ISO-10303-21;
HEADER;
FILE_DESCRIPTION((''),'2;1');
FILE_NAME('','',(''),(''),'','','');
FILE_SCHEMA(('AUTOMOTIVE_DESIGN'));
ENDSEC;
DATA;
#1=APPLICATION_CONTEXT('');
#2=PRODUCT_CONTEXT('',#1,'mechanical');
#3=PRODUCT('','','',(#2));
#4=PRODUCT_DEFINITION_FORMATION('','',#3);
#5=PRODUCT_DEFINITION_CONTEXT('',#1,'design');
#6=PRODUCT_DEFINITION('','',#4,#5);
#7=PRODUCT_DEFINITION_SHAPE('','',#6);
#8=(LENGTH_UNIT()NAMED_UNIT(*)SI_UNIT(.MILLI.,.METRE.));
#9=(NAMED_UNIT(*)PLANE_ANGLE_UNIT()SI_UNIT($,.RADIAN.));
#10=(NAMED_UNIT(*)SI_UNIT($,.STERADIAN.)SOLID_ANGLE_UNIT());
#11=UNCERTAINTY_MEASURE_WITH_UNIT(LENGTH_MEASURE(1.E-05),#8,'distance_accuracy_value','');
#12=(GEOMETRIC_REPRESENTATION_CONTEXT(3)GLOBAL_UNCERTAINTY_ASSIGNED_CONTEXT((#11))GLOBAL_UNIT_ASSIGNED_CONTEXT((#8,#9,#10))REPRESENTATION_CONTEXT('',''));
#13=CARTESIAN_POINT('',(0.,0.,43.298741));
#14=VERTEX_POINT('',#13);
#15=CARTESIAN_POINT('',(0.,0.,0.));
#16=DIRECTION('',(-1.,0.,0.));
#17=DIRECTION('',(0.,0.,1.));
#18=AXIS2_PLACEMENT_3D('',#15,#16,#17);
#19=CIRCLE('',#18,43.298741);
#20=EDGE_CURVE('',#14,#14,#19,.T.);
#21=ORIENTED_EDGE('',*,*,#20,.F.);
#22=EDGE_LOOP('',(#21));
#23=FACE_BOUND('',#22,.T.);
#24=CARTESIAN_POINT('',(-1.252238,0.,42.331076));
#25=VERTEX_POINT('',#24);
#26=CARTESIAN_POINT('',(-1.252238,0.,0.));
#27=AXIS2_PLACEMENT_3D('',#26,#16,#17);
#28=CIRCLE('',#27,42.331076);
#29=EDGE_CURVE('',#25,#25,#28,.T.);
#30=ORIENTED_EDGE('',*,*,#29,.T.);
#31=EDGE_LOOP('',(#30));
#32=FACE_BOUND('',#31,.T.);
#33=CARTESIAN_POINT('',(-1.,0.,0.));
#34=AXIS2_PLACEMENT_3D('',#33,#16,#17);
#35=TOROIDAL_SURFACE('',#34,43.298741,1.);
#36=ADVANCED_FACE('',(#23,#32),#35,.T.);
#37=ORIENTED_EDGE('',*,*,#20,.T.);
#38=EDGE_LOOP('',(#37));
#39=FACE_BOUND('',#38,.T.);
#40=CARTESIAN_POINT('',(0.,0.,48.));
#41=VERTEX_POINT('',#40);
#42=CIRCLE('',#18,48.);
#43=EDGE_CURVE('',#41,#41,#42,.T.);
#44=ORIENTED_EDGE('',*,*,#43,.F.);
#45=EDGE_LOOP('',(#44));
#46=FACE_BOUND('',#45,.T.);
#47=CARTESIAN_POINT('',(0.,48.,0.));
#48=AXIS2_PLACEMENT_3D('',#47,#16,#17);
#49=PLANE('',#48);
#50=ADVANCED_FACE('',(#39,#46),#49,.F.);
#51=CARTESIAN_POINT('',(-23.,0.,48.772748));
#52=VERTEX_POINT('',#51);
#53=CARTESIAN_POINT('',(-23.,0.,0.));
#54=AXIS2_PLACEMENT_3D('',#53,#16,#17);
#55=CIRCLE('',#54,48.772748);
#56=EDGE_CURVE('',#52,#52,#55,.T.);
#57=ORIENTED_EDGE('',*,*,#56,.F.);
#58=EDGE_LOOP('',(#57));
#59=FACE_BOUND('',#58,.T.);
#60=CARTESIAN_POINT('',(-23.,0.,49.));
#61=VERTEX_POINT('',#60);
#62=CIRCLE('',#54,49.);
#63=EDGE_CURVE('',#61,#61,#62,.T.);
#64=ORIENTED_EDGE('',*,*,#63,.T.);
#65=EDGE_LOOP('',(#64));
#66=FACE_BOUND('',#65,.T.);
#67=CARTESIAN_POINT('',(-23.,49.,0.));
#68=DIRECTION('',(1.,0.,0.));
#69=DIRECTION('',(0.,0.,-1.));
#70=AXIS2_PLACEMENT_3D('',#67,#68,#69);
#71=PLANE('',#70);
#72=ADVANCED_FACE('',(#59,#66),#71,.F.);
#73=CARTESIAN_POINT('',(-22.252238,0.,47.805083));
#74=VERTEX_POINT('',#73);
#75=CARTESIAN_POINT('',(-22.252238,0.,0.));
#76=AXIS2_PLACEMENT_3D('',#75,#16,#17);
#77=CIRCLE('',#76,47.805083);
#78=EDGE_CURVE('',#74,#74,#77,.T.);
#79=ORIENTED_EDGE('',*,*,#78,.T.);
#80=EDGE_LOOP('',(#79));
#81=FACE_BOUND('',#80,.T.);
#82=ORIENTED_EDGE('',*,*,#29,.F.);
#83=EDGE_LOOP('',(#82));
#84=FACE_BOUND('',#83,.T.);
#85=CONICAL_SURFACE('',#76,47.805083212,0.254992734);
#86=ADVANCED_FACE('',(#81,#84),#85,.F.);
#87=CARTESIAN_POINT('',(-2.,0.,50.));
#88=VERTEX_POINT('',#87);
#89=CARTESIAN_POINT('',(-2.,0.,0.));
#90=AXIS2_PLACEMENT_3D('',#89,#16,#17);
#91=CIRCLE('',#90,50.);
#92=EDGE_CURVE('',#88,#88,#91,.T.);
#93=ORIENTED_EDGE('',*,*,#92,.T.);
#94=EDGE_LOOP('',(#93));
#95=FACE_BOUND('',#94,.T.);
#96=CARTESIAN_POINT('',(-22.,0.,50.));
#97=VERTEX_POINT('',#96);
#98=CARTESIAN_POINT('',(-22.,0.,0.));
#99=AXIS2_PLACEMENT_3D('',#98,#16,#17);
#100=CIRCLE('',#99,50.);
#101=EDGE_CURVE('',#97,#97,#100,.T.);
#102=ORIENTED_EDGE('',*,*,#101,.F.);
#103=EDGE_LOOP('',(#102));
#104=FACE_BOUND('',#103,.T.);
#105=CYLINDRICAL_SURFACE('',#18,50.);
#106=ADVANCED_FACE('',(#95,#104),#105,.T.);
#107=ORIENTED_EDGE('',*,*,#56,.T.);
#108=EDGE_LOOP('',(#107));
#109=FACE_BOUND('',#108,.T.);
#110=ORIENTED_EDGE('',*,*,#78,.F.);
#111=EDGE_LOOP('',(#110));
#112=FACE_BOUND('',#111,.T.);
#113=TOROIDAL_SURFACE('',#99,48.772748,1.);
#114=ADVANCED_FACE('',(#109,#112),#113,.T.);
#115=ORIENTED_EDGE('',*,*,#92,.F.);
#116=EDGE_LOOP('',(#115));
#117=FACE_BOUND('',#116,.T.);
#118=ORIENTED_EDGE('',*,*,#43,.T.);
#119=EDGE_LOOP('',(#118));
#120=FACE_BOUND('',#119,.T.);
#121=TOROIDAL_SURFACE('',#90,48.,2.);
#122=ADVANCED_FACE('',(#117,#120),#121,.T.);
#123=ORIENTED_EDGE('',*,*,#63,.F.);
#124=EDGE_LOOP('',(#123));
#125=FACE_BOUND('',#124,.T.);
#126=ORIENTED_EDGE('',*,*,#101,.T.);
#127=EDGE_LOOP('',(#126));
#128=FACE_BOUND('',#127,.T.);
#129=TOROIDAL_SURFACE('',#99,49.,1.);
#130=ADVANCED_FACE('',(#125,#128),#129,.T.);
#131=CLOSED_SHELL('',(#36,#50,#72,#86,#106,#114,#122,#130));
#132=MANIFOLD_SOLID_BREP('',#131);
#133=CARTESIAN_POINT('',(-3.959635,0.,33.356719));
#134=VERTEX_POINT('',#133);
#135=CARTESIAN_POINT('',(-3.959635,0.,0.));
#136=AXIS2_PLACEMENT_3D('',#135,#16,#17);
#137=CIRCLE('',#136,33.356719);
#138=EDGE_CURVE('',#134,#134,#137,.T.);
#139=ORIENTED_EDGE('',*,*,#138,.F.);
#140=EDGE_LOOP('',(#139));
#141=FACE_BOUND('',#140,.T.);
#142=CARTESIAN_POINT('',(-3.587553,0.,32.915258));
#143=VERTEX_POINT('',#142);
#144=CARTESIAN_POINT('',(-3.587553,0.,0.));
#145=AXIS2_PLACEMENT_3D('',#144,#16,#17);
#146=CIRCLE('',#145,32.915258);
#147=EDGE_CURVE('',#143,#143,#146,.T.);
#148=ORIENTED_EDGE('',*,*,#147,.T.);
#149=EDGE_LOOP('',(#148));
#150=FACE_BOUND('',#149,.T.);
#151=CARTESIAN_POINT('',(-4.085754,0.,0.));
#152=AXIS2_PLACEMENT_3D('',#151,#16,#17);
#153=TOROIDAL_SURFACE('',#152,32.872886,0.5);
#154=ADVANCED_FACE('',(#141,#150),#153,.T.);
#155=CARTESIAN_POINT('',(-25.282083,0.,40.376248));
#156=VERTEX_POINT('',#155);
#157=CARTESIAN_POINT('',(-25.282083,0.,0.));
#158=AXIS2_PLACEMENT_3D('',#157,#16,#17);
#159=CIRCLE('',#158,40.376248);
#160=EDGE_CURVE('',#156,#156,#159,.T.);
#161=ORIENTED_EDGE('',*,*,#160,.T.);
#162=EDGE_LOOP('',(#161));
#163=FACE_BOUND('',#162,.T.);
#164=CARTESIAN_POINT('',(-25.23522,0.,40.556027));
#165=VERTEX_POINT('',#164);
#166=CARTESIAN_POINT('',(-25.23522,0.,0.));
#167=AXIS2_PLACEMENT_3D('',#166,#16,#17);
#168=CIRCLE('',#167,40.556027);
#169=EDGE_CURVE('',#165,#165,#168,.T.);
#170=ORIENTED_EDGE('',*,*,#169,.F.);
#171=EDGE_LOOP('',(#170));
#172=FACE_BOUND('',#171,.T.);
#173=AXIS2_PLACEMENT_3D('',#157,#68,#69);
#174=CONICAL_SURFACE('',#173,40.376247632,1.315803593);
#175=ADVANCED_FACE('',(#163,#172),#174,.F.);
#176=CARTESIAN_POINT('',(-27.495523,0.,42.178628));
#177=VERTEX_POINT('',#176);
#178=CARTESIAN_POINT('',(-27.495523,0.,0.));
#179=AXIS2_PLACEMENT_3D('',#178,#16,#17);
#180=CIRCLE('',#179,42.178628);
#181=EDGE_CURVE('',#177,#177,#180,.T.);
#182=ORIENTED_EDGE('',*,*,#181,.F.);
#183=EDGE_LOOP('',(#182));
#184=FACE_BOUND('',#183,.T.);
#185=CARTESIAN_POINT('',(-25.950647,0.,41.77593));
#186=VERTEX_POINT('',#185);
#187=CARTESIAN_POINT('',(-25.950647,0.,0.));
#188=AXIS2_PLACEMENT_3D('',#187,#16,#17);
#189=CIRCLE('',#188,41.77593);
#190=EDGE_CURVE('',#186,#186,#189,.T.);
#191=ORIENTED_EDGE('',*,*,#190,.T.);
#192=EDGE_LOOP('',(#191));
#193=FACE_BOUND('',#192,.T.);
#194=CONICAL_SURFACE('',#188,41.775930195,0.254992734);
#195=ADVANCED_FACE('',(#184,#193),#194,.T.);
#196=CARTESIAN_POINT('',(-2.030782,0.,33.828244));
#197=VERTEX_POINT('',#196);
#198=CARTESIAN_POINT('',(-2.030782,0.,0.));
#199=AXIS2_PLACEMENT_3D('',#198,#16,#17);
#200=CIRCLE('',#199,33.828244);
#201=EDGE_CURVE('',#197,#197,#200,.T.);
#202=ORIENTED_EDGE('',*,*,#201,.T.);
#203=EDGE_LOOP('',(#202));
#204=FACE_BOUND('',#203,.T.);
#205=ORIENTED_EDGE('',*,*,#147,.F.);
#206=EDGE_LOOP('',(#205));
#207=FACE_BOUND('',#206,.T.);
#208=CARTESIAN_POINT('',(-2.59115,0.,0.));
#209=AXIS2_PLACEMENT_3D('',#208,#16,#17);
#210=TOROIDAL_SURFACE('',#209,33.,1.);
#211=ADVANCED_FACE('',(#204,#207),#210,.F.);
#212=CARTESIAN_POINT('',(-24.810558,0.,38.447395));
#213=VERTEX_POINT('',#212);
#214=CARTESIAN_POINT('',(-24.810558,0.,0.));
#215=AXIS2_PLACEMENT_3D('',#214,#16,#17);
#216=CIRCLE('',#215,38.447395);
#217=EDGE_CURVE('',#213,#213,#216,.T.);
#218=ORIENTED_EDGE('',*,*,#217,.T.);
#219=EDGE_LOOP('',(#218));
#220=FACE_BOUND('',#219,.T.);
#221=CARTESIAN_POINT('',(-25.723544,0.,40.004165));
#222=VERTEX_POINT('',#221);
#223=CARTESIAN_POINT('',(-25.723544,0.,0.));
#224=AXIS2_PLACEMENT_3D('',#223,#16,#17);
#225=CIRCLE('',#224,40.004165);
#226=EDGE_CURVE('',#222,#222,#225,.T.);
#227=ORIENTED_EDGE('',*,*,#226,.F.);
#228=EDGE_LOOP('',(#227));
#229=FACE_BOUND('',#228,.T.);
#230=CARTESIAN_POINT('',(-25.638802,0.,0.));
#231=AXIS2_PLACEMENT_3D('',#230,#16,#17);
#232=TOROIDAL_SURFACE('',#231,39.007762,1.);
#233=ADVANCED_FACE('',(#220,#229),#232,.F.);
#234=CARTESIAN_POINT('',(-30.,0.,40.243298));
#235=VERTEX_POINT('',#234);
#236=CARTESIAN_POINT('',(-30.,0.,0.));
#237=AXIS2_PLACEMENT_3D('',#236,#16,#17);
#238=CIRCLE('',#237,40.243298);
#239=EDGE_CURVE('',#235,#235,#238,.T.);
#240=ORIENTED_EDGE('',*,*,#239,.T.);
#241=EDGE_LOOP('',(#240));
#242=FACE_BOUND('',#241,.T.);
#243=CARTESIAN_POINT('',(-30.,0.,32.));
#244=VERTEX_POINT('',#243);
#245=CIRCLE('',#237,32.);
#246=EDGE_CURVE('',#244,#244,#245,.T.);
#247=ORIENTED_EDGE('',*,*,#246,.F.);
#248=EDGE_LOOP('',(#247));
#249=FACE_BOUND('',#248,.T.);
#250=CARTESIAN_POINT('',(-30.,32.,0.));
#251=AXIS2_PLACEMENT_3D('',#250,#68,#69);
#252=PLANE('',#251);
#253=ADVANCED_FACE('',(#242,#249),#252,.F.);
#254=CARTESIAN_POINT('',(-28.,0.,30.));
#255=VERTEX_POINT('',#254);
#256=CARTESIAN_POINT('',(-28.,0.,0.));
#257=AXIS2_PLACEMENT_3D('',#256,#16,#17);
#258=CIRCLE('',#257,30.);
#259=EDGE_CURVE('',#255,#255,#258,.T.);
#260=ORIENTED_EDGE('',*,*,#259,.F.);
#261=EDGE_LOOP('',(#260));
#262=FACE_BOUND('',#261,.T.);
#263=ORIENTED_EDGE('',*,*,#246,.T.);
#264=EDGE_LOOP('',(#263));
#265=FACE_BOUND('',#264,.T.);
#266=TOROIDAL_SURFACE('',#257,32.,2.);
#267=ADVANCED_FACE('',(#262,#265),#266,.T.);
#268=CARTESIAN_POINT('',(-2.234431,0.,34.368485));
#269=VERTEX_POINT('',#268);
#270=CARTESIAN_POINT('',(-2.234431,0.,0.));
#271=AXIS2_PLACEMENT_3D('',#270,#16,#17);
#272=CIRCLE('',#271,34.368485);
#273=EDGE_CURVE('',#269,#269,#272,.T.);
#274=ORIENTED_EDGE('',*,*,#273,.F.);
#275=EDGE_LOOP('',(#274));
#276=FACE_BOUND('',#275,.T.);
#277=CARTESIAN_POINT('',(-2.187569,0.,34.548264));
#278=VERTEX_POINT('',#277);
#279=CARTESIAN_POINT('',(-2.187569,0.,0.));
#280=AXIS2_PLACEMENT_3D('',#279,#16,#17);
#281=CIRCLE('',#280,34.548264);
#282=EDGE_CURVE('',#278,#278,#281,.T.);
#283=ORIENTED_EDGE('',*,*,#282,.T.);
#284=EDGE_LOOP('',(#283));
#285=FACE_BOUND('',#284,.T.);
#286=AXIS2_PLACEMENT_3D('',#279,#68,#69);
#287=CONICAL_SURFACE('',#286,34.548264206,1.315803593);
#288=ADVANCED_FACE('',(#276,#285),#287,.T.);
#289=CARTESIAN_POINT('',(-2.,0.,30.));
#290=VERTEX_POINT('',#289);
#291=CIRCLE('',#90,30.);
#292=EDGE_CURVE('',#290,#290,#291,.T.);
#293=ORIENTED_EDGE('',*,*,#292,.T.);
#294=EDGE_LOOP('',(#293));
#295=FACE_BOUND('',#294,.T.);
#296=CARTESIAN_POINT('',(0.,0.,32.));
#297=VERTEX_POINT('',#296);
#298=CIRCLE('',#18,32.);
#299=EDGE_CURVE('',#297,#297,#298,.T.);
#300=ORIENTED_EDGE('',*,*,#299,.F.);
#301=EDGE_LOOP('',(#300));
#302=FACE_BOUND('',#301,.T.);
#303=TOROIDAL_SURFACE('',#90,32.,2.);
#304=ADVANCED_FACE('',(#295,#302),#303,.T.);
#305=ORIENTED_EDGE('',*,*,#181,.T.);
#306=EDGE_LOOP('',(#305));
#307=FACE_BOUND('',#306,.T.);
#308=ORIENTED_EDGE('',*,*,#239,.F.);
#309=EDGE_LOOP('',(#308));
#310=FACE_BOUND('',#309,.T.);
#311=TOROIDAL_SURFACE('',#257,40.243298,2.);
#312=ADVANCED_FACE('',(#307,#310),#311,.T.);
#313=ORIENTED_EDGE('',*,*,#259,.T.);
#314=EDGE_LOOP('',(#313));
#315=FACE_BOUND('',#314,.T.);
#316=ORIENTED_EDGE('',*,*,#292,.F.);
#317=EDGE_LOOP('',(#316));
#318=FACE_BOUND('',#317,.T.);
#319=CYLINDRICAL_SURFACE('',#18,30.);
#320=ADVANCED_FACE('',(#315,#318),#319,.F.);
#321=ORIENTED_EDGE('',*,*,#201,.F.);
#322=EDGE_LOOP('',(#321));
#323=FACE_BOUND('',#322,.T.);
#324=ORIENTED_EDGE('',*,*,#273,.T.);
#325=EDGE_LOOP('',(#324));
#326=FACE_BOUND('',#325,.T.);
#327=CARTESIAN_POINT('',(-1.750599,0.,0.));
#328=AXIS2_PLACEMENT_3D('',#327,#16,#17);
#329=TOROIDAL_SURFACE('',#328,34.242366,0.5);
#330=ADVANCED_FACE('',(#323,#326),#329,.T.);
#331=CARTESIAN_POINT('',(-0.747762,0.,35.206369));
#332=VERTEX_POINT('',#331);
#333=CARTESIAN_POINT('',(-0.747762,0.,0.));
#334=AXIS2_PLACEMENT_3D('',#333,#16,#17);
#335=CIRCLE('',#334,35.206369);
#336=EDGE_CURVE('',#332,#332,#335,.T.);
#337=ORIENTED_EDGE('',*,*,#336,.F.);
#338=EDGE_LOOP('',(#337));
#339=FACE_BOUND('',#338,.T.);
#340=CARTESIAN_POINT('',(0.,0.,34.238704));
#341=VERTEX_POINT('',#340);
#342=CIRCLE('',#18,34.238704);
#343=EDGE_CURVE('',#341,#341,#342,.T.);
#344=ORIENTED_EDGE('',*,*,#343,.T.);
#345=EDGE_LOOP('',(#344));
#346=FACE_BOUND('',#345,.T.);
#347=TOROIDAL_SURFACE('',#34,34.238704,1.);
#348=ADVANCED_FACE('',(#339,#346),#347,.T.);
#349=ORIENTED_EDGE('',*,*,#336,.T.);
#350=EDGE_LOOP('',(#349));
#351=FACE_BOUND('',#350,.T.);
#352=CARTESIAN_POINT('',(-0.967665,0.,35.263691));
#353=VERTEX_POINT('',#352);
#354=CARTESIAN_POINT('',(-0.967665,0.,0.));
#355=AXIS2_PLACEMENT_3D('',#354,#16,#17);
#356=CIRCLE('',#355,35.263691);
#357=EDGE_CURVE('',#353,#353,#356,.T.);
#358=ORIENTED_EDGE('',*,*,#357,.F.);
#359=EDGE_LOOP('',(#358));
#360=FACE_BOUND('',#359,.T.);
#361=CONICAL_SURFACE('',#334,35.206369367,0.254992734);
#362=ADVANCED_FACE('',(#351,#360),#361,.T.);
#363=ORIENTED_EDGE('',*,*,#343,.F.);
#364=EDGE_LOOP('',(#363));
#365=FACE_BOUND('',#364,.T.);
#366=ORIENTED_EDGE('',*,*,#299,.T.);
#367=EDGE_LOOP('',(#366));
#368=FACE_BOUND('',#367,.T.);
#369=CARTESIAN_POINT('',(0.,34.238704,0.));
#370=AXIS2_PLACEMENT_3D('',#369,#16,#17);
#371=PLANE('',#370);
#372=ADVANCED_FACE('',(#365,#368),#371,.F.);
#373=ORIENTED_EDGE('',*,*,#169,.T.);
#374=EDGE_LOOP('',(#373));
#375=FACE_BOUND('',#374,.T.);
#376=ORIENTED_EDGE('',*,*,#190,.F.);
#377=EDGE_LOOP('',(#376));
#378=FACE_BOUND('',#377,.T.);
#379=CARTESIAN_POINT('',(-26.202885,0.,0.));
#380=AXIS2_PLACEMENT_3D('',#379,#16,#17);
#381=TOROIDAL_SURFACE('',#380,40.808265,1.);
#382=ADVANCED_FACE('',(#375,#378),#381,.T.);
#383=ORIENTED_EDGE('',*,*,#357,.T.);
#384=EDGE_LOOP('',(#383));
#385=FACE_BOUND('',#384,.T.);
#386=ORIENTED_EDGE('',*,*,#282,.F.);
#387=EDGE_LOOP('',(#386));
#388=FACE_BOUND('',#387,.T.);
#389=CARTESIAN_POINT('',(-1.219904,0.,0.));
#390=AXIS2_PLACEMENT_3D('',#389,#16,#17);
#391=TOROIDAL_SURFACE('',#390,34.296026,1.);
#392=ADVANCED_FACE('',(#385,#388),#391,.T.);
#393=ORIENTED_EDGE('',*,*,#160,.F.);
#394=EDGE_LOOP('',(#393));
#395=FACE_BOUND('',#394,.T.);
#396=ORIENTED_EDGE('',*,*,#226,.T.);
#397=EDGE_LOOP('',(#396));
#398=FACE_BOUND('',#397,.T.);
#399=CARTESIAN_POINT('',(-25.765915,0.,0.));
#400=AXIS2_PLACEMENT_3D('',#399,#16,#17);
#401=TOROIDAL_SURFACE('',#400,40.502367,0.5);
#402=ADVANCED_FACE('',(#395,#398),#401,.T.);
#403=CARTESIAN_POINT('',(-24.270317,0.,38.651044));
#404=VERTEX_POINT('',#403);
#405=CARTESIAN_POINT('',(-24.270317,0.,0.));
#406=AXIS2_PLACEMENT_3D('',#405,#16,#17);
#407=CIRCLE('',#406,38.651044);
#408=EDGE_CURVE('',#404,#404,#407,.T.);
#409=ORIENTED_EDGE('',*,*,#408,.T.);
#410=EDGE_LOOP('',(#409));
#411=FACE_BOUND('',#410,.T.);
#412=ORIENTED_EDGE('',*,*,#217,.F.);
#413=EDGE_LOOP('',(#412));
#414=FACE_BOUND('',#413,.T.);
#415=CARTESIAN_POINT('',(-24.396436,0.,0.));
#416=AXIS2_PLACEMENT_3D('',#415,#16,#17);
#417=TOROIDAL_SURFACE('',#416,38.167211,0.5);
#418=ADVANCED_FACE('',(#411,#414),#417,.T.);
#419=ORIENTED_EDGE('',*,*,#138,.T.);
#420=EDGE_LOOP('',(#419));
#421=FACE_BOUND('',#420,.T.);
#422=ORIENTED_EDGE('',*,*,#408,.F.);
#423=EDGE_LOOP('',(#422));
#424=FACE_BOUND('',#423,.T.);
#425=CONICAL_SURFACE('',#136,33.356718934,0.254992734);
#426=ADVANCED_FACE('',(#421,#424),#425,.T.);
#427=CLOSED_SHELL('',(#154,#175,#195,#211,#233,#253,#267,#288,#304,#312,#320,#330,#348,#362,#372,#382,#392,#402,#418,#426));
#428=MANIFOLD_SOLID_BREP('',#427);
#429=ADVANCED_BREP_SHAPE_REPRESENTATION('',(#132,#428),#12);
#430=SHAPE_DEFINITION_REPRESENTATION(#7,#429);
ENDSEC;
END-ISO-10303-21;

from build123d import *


with BuildPart() as part:
    # Sketch1 → Revolve1 (revolve)
    with BuildSketch(Plane.XY, mode=Mode.PRIVATE) as revolve1_sk:
        with BuildLine():
            Line((0, 48), (0, 43.298741099))
            ThreePointArc((0, 43.298741099), (-0.388542061, 42.507464163), (-1.252238377, 42.33107597))
            Line((-1.252238377, 42.33107597), (-22.252238377, 47.805083212))
            ThreePointArc((-22.252238377, 47.805083212), (-22.791276935, 48.161290402), (-23, 48.772748341))
            Line((-23, 48.772748341), (-23, 49))
            ThreePointArc((-23, 49), (-22.707106781, 49.707106781), (-22, 50))
            Line((-22, 50), (-2, 50))
            ThreePointArc((-2, 50), (-0.585786438, 49.414213562), (0, 48))
        make_face()
        with BuildLine():
            Line((-24.270316559, 38.65104355), (-3.959635187, 33.356718934))
            ThreePointArc((-3.959635187, 33.356718934), (-3.703437628, 33.195119057), (-3.587552929, 32.91525758))
            ThreePointArc((-3.587552929, 32.91525758), (-2.085266931, 32.137397959), (-2.030782372, 33.828243973))
            ThreePointArc((-2.030782372, 33.828243973), (-2.218461122, 34.066000985), (-2.234431104, 34.368485149))
            Line((-2.234431104, 34.368485149), (-2.187568634, 34.548264206))
            ThreePointArc((-2.187568634, 34.548264206), (-1.725786613, 35.15862787), (-0.967665129, 35.263690957))
            Line((-0.967665129, 35.263690957), (-0.747761623, 35.206369367))
            ThreePointArc((-0.747761623, 35.206369367), (-0.208723065, 34.850162178), (0, 34.238704239))
            Line((0, 34.238704239), (0, 32))
            ThreePointArc((0, 32), (-0.585786438, 30.585786438), (-2, 30))
            Line((-2, 30), (-28, 30))
            ThreePointArc((-28, 30), (-29.414213562, 30.585786438), (-30, 32))
            Line((-30, 32), (-30, 40.243298198))
            ThreePointArc((-30, 40.243298198), (-29.222915878, 41.825852069), (-27.495523246, 42.178628455))
            Line((-27.495523246, 42.178628455), (-25.950647056, 41.775930195))
            ThreePointArc((-25.950647056, 41.775930195), (-25.340283392, 41.314148174), (-25.235220304, 40.556026689))
            Line((-25.235220304, 40.556026689), (-25.282082774, 40.376247632))
            ThreePointArc((-25.282082774, 40.376247632), (-25.443682651, 40.120050074), (-25.723544128, 40.004165375))
            ThreePointArc((-25.723544128, 40.004165375), (-26.501403749, 38.501879376), (-24.810557735, 38.447394818))
            ThreePointArc((-24.810557735, 38.447394818), (-24.572800723, 38.635073567), (-24.270316559, 38.65104355))
        make_face()
    revolve(revolve1_sk.sketch.rotate(Axis((0, 0, 0), (1, 0, 0)), 90), axis=Axis((0, 0, 0), (1, 0, 0)))


solid = part.part
